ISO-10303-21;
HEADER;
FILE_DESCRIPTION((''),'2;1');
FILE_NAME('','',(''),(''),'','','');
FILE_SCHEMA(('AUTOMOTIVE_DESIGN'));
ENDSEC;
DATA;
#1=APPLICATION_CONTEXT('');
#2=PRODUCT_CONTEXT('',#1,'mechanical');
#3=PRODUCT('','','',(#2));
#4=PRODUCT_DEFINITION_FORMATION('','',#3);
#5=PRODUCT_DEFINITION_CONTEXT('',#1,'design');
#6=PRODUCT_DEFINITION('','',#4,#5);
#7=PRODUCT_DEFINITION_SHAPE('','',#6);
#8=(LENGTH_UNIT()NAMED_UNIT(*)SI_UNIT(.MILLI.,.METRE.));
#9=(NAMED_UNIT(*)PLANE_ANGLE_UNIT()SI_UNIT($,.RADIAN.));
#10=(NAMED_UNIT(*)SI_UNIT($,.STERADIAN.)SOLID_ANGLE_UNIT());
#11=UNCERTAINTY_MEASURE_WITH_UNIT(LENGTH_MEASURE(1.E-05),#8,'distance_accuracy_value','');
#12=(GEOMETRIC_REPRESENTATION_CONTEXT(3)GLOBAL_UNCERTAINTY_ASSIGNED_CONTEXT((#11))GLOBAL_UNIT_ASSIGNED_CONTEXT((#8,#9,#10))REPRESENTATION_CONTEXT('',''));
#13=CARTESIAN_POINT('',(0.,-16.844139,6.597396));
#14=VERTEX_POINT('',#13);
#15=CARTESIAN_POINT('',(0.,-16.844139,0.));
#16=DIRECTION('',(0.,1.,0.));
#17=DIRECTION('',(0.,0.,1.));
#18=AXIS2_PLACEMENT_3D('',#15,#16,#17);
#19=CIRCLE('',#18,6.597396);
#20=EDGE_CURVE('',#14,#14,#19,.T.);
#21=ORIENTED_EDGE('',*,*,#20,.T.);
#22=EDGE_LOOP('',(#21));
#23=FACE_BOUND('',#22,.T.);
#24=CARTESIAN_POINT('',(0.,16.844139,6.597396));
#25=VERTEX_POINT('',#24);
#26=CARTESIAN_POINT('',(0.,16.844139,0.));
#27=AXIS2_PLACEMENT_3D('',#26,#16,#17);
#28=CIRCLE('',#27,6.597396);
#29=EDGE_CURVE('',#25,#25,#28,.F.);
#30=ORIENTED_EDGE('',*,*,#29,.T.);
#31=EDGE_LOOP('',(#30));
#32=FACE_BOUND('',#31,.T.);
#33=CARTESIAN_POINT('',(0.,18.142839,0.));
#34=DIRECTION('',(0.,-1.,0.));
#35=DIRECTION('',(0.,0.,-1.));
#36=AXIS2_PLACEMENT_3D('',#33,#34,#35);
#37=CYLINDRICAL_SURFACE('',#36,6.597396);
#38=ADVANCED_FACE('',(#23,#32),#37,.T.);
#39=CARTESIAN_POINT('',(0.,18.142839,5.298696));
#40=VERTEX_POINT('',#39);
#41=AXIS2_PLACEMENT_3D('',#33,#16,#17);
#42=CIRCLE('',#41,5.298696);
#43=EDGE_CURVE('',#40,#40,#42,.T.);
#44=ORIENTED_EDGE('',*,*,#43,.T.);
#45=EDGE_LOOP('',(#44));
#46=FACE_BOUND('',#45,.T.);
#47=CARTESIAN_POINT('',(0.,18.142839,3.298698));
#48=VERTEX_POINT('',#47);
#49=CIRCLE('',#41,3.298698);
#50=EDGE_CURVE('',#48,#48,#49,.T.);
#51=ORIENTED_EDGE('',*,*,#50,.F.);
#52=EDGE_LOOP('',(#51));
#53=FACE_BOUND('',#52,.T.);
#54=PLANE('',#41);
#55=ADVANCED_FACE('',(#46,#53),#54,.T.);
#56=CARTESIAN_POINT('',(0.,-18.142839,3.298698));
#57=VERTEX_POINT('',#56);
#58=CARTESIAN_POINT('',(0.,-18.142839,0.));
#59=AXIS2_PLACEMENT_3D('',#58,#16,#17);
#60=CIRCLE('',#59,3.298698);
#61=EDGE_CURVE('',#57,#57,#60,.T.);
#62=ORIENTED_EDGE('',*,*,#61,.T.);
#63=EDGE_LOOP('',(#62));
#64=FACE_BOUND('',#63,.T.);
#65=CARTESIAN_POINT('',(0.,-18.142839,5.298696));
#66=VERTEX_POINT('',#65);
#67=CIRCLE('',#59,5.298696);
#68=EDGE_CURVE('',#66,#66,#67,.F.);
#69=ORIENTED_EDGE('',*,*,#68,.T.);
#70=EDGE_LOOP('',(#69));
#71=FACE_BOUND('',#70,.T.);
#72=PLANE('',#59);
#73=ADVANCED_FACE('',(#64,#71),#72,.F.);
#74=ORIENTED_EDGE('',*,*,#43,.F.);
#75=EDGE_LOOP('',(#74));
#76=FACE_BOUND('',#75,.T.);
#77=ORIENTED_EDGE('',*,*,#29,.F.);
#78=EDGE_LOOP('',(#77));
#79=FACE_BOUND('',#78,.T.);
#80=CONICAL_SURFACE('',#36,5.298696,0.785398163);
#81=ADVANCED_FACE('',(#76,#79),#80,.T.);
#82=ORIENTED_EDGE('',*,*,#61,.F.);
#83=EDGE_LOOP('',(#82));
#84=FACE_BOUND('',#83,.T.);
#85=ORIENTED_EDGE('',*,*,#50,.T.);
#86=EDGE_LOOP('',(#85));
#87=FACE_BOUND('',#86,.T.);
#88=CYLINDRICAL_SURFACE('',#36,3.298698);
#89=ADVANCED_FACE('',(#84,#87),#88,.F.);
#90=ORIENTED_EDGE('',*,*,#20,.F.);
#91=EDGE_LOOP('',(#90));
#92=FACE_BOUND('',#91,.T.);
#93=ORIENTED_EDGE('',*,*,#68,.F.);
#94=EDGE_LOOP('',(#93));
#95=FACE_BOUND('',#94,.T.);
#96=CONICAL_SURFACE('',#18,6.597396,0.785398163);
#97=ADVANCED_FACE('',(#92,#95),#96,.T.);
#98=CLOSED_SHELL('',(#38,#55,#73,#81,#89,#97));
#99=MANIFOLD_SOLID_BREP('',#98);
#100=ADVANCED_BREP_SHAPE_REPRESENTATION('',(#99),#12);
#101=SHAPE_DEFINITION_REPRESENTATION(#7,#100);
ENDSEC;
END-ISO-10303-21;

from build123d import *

# Parameters (mm, degrees)
SKETCH1_R           = 12.7
SKETCH1_R_2         = 6.35
BOSS_EXTRUDE1_DEPTH = 34.925
CHAMFER1_SIZE       = 2.5
SCALE1_SCALE        = 0.51948


with BuildPart() as part:
    # Sketch1 → Boss-Extrude1 (new, symmetric)
    with BuildSketch(Plane(origin=(0, 0, 0), x_dir=(1, 0, 0), z_dir=(0, 1, 0))):
        with Locations(Location((0, 0, 0), (0, 0, 270))):
            Circle(SKETCH1_R)
        with Locations(Location((0, 0, 0), (0, 0, 270))):
            Circle(SKETCH1_R_2, mode=Mode.SUBTRACT)
    extrude(amount=BOSS_EXTRUDE1_DEPTH, both=True)

    # Chamfer1
    chamfer1_edges = [part.edges().sort_by_distance(p)[0] for p in [
        (0, -34.925, -12.7),
        (0, 34.925, -12.7),
    ]]
    chamfer(chamfer1_edges, length=CHAMFER1_SIZE)


with BuildPart() as part_1:
    # Scale1: scaled about (0, 0, 0)
    add(part.part.scale(SCALE1_SCALE))


solid = part_1.part
